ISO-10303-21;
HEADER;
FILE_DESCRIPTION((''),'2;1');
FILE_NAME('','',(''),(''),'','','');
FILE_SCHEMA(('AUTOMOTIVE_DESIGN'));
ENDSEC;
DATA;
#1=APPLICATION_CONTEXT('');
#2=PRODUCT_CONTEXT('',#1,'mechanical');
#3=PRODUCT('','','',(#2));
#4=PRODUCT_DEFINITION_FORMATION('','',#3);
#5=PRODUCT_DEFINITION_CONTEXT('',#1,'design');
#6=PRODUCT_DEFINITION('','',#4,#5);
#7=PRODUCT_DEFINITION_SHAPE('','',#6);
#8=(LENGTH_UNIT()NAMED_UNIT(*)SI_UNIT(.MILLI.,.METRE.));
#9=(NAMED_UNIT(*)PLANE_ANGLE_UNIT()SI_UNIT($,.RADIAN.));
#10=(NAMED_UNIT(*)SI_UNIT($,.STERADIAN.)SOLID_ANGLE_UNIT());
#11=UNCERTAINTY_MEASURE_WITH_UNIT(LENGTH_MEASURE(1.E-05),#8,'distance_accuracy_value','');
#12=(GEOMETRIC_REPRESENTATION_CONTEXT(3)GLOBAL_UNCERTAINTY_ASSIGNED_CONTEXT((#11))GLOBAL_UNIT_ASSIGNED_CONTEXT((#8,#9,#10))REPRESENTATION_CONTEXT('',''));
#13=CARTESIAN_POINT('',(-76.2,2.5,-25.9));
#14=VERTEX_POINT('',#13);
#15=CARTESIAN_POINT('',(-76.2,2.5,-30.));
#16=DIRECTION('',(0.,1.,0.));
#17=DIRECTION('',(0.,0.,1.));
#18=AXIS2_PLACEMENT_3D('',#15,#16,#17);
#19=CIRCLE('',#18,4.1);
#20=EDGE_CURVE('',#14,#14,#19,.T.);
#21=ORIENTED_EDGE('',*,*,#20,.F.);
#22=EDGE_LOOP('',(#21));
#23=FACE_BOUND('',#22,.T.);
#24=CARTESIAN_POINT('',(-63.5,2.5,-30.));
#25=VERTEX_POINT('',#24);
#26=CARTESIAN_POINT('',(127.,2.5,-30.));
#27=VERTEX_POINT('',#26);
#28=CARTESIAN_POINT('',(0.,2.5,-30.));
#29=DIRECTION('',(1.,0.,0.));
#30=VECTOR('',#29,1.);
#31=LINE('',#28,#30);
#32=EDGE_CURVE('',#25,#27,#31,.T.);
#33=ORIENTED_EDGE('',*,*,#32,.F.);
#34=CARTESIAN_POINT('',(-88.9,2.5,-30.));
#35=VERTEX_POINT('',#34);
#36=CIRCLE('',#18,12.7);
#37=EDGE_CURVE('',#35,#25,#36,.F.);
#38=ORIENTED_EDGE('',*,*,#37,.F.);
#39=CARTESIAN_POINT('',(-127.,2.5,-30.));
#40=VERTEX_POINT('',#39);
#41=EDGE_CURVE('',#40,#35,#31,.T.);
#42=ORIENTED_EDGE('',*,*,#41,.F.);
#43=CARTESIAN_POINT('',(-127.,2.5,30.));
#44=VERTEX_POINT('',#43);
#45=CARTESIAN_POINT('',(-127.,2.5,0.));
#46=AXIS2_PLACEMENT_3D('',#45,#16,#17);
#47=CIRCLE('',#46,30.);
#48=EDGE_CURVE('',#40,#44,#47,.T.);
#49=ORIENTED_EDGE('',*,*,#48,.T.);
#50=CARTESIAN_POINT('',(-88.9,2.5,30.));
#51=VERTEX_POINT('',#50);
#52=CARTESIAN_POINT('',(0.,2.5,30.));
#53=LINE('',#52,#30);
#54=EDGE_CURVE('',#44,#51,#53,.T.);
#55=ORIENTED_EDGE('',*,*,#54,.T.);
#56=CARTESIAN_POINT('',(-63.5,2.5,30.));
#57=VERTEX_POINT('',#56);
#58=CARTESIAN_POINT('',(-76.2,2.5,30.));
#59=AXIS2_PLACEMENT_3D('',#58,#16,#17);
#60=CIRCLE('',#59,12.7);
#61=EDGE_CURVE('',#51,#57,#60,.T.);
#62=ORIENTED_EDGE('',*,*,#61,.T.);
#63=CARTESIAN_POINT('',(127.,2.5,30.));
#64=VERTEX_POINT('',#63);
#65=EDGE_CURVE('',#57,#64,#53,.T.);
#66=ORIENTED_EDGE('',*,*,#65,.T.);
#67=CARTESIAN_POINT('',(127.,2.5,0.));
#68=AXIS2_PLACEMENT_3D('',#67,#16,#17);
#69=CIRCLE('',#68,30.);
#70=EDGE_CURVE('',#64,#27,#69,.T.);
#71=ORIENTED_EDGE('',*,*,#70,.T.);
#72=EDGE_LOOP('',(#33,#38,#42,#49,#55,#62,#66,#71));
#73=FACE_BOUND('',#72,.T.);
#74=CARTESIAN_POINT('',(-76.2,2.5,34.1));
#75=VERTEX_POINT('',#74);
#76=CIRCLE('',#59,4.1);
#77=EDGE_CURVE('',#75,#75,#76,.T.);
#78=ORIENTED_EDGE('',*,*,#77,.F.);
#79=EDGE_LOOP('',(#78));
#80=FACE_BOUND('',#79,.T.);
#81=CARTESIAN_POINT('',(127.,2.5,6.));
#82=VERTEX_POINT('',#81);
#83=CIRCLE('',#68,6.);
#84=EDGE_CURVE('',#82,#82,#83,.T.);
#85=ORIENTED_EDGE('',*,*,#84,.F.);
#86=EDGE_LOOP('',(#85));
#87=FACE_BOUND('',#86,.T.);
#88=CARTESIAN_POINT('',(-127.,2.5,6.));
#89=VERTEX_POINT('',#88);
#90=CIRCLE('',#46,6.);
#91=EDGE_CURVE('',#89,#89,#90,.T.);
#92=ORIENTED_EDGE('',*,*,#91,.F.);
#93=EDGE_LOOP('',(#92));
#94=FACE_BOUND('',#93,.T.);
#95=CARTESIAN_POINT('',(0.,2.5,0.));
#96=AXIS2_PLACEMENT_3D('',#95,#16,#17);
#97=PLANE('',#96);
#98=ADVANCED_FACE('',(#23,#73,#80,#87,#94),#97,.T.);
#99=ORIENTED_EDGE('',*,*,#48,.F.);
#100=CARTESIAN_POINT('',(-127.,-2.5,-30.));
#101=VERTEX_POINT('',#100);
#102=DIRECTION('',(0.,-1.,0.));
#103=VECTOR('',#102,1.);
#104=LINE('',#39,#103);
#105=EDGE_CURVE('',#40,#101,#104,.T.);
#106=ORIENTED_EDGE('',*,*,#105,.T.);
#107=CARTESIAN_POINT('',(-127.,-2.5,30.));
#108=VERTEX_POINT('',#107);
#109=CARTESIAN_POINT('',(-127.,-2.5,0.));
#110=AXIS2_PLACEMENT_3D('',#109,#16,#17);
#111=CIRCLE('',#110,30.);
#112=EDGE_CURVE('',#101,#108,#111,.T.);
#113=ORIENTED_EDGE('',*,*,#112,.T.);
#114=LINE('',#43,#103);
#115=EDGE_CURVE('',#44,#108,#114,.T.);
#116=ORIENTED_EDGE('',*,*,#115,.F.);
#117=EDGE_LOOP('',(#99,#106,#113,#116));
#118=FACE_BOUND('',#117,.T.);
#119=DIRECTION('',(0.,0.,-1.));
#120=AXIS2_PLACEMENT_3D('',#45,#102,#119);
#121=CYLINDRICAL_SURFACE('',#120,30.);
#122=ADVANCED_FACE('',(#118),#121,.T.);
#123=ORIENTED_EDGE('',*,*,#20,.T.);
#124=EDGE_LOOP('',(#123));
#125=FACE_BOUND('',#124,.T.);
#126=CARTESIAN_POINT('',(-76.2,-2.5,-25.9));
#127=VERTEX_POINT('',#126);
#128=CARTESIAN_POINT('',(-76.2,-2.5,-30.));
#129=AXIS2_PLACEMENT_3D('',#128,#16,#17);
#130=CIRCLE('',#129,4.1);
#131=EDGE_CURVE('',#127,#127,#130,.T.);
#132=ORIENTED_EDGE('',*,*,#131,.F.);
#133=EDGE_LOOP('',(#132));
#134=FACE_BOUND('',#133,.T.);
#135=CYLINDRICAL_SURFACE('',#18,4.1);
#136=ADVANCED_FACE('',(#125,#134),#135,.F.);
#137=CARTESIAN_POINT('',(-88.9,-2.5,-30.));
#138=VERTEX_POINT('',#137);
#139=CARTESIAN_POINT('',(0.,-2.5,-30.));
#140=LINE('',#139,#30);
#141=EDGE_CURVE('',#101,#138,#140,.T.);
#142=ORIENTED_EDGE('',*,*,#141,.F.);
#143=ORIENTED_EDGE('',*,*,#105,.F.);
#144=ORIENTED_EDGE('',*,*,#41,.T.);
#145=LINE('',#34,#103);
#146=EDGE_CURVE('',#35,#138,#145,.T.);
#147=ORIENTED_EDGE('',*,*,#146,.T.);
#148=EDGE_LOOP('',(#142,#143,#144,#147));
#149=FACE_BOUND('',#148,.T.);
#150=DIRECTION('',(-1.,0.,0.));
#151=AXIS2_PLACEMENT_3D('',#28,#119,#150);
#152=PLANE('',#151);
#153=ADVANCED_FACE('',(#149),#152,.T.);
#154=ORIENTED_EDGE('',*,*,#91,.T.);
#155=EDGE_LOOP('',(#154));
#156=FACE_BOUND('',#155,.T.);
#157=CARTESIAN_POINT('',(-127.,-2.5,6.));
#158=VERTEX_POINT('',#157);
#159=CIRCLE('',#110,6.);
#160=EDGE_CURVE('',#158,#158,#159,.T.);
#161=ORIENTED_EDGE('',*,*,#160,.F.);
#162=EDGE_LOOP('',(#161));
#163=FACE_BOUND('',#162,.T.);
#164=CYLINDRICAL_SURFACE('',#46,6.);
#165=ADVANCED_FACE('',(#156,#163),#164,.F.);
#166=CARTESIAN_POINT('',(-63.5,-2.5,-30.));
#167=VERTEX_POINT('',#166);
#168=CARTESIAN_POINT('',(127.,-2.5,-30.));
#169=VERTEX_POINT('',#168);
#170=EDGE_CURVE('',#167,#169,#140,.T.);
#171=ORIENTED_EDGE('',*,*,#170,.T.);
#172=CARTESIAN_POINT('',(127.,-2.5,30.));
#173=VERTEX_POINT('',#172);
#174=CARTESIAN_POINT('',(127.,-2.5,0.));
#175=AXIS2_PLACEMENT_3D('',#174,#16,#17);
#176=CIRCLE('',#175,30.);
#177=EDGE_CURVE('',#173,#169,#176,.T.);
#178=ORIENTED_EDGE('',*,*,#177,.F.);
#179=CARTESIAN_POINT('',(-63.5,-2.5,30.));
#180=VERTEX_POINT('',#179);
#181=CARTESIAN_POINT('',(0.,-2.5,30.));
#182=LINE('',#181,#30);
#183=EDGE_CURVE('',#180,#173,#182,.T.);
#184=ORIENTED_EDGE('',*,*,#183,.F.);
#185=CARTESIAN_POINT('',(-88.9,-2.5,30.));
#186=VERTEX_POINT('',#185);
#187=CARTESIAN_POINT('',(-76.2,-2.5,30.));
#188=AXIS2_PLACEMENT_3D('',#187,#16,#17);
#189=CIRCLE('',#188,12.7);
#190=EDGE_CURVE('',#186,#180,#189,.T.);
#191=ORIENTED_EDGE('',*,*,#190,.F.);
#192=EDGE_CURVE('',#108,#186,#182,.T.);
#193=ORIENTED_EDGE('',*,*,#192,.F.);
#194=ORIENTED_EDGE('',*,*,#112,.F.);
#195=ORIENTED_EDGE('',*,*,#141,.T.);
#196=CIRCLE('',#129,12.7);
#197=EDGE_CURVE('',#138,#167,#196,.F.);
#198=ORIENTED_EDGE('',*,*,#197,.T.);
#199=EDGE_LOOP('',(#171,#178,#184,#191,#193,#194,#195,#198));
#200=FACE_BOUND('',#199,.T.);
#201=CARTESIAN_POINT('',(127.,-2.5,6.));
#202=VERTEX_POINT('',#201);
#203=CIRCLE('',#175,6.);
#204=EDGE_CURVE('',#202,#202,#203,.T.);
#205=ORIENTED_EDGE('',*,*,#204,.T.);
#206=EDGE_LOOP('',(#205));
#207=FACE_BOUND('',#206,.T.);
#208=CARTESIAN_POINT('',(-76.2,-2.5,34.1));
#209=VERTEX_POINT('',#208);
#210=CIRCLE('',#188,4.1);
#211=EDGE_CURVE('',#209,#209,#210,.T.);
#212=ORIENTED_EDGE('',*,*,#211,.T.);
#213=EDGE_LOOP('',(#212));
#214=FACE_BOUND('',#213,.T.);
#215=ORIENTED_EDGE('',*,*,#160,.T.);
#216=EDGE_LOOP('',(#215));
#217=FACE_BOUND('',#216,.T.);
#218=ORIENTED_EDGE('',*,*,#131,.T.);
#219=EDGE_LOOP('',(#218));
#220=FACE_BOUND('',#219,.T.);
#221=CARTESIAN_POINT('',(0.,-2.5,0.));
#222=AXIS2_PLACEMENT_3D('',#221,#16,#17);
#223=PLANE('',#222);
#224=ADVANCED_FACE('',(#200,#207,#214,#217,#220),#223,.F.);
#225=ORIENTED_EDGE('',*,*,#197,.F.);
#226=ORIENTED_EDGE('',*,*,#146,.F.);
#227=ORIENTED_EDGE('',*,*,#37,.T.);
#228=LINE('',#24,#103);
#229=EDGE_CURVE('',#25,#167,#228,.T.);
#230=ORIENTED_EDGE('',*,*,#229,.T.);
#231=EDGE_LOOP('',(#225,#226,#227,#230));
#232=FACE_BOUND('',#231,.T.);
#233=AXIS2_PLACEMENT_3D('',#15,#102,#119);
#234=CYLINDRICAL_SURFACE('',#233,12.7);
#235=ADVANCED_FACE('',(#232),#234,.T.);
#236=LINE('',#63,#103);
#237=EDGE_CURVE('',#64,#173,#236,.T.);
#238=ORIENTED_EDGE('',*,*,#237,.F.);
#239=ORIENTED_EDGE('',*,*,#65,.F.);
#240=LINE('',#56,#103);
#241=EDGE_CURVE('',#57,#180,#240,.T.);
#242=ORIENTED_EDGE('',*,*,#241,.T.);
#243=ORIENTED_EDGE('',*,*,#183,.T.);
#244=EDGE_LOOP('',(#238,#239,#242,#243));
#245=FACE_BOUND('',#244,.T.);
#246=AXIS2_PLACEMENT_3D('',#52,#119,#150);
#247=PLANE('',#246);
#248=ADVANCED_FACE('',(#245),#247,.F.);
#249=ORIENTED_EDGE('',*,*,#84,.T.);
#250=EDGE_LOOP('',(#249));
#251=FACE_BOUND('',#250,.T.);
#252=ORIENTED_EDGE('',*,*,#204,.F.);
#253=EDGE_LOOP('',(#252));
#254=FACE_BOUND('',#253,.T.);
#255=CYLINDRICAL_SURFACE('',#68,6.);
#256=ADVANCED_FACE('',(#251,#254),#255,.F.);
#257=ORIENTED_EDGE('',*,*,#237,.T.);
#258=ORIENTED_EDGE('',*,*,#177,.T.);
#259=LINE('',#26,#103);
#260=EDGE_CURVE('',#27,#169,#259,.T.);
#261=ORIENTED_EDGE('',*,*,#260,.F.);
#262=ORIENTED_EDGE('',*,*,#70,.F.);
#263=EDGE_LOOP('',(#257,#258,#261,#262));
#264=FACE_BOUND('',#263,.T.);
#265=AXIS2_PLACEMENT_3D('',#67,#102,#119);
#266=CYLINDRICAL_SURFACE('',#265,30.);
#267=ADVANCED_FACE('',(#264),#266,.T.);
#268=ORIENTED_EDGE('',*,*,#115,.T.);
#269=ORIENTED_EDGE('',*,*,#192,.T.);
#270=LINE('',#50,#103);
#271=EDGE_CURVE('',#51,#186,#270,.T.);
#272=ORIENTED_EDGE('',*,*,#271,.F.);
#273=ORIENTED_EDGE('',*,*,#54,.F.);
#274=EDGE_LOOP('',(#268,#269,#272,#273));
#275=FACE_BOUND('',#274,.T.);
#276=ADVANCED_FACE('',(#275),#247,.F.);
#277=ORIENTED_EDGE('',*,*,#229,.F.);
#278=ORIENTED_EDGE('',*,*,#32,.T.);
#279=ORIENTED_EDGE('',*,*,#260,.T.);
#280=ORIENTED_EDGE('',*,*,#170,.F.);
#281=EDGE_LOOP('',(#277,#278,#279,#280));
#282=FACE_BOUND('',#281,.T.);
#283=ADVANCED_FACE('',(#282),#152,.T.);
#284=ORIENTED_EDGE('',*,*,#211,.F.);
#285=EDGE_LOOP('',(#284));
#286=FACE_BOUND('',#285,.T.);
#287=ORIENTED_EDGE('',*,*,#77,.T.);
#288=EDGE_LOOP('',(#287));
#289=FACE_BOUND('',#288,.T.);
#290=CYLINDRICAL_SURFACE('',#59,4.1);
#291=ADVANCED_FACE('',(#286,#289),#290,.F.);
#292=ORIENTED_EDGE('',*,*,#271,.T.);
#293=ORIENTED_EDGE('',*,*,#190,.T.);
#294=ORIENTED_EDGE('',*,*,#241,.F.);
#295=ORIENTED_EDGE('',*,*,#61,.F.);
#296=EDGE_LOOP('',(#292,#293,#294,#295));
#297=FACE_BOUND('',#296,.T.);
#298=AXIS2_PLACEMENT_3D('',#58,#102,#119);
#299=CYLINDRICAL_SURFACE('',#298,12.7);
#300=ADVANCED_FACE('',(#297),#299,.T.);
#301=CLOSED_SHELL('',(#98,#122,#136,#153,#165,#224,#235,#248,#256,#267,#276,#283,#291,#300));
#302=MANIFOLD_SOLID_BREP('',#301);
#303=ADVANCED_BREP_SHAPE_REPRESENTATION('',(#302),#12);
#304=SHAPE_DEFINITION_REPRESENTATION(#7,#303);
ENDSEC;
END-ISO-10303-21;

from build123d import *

# Parameters (mm, degrees)
BOSS_EXTRUDE1_DEPTH        = 2.5
F_12_0MM_DOWEL_HOLE1_D     = 12
F_12_0MM_DOWEL_HOLE1_DEPTH = 5
F_8_0MM_DOWEL_HOLE1_D      = 8.2
F_8_0MM_DOWEL_HOLE1_DEPTH  = 5


with BuildPart() as part:
    # Sketch1 → Boss-Extrude1 (new body, symmetric)
    with BuildSketch(Plane(origin=(0, 0, 0), x_dir=(1, 0, 0), z_dir=(0, 1, 0))):
        with BuildLine():
            Line((-88.9, 30), (-127, 30))
            ThreePointArc((-127, 30), (-157, 0), (-127, -30))
            Line((-127, -30), (-88.9, -30))
            ThreePointArc((-88.9, -30), (-76.2, -42.7), (-63.5, -30))
            Line((-63.5, -30), (127, -30))
            ThreePointArc((127, -30), (157, 0), (127, 30))
            Line((127, 30), (-63.5, 30))
            ThreePointArc((-63.5, 30), (-76.2, 42.7), (-88.9, 30))
        make_face()
    extrude(amount=BOSS_EXTRUDE1_DEPTH, both=True)

    # Ø12.0mm Dowel Hole1
    with Locations(Plane(origin=(0, 2.5, 0), x_dir=(1, 0, 0), z_dir=(0, 1, 0))):
        with Locations((-127, 0), (127, 0)):
            Hole(F_12_0MM_DOWEL_HOLE1_D / 2, depth=F_12_0MM_DOWEL_HOLE1_DEPTH)

    # Ø8.0mm Dowel Hole1
    with Locations(Plane(origin=(0, 2.5, 0), x_dir=(1, 0, 0), z_dir=(0, 1, 0))):
        with Locations((-76.2, 30), (-76.2, -30)):
            Hole(F_8_0MM_DOWEL_HOLE1_D / 2, depth=F_8_0MM_DOWEL_HOLE1_DEPTH)


solid = part.part
